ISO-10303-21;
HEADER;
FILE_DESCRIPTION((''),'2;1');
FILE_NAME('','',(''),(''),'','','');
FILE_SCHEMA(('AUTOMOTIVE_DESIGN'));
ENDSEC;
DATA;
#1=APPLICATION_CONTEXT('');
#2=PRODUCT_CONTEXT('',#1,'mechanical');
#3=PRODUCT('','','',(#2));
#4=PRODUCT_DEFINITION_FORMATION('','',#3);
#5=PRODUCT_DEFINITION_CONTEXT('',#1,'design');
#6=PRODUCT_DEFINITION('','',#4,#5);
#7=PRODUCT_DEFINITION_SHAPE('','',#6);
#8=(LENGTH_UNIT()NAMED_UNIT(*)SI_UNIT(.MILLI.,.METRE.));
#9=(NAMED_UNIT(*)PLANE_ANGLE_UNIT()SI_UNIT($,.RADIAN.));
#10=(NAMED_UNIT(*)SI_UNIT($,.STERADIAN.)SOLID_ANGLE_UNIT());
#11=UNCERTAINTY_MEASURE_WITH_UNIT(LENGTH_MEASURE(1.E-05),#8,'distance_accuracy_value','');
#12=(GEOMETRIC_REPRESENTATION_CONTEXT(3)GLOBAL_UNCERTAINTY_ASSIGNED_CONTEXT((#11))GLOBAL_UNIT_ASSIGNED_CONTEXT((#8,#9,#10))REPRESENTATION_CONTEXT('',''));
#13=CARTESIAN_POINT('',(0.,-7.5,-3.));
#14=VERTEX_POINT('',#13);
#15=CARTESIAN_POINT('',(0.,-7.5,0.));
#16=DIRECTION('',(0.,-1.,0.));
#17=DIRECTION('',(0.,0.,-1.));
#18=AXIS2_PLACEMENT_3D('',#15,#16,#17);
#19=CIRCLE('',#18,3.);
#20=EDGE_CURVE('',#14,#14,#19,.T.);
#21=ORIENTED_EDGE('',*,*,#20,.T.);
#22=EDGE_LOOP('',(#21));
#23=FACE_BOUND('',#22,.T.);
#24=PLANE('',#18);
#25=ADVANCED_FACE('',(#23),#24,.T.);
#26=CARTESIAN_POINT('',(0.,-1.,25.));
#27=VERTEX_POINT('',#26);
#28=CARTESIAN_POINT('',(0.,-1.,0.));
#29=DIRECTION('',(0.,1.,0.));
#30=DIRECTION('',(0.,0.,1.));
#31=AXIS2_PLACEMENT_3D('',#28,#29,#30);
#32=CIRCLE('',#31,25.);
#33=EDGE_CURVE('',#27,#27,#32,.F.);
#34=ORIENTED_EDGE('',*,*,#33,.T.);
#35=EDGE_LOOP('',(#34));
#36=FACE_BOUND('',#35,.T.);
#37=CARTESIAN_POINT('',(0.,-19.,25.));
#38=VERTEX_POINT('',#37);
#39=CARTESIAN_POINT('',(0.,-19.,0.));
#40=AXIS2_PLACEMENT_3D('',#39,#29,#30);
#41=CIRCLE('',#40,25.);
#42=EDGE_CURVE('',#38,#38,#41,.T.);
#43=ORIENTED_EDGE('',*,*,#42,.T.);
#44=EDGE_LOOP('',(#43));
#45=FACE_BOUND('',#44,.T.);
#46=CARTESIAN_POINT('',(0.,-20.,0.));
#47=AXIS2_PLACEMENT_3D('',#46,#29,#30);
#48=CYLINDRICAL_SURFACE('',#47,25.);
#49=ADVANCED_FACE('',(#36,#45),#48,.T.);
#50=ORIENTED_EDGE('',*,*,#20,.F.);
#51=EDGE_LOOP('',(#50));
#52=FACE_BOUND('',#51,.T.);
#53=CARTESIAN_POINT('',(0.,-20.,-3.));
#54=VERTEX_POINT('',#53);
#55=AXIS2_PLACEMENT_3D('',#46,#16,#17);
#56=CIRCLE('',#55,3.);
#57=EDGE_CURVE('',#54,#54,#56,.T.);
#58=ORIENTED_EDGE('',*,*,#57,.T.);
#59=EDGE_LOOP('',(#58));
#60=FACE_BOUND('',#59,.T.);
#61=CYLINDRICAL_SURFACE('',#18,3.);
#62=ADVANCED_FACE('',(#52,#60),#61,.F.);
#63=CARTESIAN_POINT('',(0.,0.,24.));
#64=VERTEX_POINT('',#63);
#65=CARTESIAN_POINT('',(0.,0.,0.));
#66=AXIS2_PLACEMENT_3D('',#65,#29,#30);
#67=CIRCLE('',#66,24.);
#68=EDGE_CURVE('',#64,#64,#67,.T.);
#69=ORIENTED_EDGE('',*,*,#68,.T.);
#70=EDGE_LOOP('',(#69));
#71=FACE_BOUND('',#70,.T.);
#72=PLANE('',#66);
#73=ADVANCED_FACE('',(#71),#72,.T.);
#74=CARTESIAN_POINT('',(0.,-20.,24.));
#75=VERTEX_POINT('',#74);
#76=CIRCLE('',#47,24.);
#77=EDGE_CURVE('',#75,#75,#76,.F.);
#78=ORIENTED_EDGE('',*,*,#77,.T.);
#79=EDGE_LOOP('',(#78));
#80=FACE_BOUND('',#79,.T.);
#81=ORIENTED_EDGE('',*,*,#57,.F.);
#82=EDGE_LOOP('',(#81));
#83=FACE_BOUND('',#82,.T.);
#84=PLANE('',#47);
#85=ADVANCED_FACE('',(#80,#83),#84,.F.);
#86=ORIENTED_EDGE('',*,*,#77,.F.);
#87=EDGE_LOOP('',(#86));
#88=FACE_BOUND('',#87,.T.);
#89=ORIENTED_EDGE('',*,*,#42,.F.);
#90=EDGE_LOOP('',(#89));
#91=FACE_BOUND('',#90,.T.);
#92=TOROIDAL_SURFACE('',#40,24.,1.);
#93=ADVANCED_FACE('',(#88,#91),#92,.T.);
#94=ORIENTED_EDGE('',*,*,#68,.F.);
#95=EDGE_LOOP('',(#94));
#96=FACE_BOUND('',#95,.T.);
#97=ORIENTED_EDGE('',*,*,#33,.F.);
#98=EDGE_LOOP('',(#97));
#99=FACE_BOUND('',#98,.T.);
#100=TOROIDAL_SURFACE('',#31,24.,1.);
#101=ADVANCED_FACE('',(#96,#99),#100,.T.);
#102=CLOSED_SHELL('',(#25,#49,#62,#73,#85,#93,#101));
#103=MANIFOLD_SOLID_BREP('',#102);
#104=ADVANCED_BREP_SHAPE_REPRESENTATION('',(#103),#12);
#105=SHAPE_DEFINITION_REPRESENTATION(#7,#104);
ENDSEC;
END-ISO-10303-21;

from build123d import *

# Parameters (mm, degrees)
SKETCH1_R           = 25
BOSS_EXTRUDE1_DEPTH = 20
FILLET3_R           = 1
SKETCH2_R           = 3
CUT_EXTRUDE1_DEPTH  = 12.5


with BuildPart() as part:
    # Sketch1 → Boss-Extrude1 (new body)
    with BuildSketch(Plane(origin=(0, 0, 0), x_dir=(1, 0, 0), z_dir=(0, 1, 0))):
        with Locations(Location((0, 0, 0), (0, 0, 270))):
            Circle(SKETCH1_R)
    extrude(amount=-BOSS_EXTRUDE1_DEPTH)

    # Fillet3
    fillet3_edges = [part.edges().sort_by_distance(p)[0] for p in [
        (0, 0, -25),
        (0, -20, -25),
    ]]
    fillet(fillet3_edges, radius=FILLET3_R)

    # Sketch2 → Cut-Extrude1 (cut)
    with BuildSketch(Plane.XZ.offset(20)):
        with Locations(Location((0, 0, 0), (0, 0, 270))):
            Circle(SKETCH2_R)
    extrude(amount=-CUT_EXTRUDE1_DEPTH, mode=Mode.SUBTRACT)


solid = part.part
